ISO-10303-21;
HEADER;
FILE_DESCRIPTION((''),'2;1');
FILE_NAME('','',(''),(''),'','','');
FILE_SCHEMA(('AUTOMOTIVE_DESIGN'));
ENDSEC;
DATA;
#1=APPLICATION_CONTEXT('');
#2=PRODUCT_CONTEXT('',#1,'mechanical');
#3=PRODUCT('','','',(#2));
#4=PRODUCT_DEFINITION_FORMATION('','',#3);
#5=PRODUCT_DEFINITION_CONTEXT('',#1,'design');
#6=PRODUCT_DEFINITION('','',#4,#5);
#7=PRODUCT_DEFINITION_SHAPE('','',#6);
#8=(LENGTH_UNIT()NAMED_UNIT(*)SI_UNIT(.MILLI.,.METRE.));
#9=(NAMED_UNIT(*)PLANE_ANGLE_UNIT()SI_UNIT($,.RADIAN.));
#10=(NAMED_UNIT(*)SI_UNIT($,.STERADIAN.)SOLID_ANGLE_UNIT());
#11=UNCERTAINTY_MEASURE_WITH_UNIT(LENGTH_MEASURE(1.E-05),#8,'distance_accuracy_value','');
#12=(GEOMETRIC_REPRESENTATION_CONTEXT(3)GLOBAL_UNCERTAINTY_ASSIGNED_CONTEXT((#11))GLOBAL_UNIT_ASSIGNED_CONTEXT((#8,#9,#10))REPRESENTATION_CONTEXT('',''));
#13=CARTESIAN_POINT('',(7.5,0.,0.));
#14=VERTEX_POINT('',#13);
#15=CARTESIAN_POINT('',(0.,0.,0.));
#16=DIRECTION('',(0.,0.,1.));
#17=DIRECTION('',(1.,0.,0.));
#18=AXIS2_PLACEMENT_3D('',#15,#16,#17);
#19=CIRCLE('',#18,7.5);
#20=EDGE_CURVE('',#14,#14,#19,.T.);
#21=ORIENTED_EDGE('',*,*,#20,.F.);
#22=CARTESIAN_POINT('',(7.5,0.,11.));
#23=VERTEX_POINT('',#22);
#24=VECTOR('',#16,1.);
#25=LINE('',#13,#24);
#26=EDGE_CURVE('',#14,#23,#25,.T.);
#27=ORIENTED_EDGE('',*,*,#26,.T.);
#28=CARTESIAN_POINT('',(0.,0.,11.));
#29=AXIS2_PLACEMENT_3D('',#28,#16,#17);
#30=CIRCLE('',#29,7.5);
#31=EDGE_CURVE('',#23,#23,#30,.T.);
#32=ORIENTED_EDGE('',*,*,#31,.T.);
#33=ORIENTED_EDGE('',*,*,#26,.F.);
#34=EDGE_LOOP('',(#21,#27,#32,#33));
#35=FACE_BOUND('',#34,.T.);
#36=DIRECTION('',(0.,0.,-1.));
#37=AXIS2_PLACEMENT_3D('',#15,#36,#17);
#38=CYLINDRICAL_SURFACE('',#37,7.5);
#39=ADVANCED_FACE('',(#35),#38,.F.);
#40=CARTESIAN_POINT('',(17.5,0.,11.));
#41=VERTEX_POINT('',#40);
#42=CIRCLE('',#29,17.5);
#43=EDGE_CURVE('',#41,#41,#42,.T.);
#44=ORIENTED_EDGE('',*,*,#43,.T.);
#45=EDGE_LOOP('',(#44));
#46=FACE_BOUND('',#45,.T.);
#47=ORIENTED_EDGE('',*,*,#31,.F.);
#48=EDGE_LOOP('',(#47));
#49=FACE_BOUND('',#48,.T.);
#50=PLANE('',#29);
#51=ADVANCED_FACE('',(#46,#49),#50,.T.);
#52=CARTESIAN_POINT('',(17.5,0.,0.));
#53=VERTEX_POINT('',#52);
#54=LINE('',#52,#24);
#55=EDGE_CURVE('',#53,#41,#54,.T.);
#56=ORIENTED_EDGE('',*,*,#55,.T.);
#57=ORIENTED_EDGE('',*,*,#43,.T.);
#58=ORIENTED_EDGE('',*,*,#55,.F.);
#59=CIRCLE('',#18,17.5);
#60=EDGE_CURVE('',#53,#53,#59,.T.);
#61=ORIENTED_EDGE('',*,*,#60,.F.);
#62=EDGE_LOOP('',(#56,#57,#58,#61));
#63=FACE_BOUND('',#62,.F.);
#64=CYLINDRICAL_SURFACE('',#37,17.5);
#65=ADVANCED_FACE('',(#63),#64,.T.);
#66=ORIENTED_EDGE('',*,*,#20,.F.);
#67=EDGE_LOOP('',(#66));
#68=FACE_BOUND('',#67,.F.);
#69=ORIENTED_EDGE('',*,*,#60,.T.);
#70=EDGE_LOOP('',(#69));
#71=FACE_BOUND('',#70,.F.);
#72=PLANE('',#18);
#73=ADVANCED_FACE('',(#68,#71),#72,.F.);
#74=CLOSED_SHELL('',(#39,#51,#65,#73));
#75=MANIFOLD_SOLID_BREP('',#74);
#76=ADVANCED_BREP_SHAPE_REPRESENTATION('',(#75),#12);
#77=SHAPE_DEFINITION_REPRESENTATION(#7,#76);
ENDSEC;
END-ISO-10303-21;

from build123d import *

# Parameters (mm, degrees)
SKETCH_R   = 17.5
SKETCH_R_2 = 7.5
PAD_DEPTH  = 11


with BuildPart() as part:
    # Sketch → Pad (new body)
    with BuildSketch(Plane.XY):
        Circle(SKETCH_R)
        Circle(SKETCH_R_2, mode=Mode.SUBTRACT)
    extrude(amount=PAD_DEPTH)


solid = part.part
